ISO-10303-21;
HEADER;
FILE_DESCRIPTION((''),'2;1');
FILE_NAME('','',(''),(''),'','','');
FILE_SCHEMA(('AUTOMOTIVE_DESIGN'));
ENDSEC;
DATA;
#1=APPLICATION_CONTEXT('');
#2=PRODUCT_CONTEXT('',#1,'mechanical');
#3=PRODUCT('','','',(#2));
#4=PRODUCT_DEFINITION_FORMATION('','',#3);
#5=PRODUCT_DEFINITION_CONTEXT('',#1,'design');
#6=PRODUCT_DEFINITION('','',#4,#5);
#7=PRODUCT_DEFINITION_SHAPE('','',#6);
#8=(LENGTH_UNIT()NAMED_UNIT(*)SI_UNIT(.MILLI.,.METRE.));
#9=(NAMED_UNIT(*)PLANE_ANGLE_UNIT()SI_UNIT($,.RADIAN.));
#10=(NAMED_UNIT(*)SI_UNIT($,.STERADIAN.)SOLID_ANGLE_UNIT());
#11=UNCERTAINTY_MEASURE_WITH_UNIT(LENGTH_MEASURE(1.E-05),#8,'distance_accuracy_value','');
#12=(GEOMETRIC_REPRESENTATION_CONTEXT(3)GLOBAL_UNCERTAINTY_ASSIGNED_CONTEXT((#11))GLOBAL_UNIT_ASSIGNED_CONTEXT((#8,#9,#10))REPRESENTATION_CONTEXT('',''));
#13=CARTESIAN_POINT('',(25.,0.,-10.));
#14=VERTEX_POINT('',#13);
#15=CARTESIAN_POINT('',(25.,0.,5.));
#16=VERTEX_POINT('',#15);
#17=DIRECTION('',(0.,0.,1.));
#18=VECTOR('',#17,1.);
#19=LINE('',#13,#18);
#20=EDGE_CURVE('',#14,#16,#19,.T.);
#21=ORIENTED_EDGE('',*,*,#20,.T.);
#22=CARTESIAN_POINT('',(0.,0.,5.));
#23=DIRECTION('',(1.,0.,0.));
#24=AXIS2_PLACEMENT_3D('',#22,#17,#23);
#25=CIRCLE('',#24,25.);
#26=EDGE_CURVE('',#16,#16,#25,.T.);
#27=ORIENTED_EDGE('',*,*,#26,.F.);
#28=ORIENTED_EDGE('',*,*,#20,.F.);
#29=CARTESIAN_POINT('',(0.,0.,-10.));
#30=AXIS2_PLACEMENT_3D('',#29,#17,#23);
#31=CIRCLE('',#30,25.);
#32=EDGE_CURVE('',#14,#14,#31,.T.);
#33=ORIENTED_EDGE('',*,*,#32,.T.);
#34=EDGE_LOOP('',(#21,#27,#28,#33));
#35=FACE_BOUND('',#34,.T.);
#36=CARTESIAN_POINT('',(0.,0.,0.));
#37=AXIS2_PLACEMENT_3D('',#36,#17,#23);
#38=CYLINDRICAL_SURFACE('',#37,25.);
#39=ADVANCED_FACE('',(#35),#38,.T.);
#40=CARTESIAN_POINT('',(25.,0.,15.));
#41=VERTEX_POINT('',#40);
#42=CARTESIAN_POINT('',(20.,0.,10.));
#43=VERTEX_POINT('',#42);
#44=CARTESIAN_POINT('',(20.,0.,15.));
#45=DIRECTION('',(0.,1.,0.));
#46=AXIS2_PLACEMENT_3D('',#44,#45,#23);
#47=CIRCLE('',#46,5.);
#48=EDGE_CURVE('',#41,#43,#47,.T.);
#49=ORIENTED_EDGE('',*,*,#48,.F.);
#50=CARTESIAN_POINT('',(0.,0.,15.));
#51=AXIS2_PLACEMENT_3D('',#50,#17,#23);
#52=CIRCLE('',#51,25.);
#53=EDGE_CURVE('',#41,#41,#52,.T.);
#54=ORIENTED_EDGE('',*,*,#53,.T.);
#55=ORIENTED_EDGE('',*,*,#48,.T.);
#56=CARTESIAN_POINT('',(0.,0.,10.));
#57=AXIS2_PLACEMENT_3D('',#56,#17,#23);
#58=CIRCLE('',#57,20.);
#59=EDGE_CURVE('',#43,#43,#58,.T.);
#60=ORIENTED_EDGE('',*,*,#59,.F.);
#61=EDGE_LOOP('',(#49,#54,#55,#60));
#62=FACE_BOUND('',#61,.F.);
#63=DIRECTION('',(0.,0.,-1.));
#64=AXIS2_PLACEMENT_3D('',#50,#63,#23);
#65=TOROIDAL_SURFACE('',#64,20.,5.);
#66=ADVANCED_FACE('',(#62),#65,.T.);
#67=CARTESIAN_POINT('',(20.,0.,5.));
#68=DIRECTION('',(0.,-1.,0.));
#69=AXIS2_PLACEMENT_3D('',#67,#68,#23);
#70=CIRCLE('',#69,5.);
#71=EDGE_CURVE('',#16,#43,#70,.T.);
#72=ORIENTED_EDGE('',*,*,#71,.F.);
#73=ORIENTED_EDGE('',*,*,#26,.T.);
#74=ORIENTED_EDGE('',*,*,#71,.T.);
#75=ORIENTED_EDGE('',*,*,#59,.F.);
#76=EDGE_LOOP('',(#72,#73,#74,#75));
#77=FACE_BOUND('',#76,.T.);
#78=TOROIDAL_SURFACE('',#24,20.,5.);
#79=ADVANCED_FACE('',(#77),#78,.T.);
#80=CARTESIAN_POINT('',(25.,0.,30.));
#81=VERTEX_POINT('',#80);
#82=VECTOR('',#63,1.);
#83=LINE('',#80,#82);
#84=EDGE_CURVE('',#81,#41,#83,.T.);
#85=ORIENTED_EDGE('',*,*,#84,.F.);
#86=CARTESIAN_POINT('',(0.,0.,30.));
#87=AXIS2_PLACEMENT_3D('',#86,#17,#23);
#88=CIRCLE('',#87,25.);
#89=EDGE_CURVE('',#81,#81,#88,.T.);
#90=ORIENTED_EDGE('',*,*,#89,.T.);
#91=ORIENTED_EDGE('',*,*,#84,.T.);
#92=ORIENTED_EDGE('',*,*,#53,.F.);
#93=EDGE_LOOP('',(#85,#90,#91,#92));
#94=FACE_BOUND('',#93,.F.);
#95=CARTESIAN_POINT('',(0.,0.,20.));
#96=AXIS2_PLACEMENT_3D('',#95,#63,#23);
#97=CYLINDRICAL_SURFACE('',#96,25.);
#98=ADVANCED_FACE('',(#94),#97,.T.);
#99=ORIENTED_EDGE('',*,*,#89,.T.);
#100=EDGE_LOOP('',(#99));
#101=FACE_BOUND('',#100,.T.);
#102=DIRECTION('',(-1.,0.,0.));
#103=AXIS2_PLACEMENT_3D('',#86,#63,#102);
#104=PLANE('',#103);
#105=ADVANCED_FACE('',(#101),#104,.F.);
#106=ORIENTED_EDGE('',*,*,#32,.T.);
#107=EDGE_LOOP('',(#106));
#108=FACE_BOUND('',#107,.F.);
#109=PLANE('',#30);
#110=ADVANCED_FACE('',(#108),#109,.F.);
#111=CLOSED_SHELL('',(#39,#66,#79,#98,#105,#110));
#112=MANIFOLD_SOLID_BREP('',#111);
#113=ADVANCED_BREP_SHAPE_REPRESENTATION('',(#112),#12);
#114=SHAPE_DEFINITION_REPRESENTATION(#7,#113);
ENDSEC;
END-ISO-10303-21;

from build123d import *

# Parameters (mm, degrees)
F0_R     = 25
F1_DEPTH = 10
F2_R     = 5


with BuildPart() as f1:
    # F0 (on Top) → F1 (new body, symmetric)
    with BuildSketch(Plane.XY):
        Circle(F0_R)
    extrude(amount=F1_DEPTH, both=True)

    # F2
    f2_edges = [f1.edges().sort_by_distance(p)[0] for p in [
        (-25, 0, 10),
    ]]
    fillet(f2_edges, radius=F2_R)

    # F3: F1 across face


with BuildPart() as f1_1:
    add(f1.part)
    add(f1.part.mirror(Plane.XY.offset(10)))


solid = f1_1.part
